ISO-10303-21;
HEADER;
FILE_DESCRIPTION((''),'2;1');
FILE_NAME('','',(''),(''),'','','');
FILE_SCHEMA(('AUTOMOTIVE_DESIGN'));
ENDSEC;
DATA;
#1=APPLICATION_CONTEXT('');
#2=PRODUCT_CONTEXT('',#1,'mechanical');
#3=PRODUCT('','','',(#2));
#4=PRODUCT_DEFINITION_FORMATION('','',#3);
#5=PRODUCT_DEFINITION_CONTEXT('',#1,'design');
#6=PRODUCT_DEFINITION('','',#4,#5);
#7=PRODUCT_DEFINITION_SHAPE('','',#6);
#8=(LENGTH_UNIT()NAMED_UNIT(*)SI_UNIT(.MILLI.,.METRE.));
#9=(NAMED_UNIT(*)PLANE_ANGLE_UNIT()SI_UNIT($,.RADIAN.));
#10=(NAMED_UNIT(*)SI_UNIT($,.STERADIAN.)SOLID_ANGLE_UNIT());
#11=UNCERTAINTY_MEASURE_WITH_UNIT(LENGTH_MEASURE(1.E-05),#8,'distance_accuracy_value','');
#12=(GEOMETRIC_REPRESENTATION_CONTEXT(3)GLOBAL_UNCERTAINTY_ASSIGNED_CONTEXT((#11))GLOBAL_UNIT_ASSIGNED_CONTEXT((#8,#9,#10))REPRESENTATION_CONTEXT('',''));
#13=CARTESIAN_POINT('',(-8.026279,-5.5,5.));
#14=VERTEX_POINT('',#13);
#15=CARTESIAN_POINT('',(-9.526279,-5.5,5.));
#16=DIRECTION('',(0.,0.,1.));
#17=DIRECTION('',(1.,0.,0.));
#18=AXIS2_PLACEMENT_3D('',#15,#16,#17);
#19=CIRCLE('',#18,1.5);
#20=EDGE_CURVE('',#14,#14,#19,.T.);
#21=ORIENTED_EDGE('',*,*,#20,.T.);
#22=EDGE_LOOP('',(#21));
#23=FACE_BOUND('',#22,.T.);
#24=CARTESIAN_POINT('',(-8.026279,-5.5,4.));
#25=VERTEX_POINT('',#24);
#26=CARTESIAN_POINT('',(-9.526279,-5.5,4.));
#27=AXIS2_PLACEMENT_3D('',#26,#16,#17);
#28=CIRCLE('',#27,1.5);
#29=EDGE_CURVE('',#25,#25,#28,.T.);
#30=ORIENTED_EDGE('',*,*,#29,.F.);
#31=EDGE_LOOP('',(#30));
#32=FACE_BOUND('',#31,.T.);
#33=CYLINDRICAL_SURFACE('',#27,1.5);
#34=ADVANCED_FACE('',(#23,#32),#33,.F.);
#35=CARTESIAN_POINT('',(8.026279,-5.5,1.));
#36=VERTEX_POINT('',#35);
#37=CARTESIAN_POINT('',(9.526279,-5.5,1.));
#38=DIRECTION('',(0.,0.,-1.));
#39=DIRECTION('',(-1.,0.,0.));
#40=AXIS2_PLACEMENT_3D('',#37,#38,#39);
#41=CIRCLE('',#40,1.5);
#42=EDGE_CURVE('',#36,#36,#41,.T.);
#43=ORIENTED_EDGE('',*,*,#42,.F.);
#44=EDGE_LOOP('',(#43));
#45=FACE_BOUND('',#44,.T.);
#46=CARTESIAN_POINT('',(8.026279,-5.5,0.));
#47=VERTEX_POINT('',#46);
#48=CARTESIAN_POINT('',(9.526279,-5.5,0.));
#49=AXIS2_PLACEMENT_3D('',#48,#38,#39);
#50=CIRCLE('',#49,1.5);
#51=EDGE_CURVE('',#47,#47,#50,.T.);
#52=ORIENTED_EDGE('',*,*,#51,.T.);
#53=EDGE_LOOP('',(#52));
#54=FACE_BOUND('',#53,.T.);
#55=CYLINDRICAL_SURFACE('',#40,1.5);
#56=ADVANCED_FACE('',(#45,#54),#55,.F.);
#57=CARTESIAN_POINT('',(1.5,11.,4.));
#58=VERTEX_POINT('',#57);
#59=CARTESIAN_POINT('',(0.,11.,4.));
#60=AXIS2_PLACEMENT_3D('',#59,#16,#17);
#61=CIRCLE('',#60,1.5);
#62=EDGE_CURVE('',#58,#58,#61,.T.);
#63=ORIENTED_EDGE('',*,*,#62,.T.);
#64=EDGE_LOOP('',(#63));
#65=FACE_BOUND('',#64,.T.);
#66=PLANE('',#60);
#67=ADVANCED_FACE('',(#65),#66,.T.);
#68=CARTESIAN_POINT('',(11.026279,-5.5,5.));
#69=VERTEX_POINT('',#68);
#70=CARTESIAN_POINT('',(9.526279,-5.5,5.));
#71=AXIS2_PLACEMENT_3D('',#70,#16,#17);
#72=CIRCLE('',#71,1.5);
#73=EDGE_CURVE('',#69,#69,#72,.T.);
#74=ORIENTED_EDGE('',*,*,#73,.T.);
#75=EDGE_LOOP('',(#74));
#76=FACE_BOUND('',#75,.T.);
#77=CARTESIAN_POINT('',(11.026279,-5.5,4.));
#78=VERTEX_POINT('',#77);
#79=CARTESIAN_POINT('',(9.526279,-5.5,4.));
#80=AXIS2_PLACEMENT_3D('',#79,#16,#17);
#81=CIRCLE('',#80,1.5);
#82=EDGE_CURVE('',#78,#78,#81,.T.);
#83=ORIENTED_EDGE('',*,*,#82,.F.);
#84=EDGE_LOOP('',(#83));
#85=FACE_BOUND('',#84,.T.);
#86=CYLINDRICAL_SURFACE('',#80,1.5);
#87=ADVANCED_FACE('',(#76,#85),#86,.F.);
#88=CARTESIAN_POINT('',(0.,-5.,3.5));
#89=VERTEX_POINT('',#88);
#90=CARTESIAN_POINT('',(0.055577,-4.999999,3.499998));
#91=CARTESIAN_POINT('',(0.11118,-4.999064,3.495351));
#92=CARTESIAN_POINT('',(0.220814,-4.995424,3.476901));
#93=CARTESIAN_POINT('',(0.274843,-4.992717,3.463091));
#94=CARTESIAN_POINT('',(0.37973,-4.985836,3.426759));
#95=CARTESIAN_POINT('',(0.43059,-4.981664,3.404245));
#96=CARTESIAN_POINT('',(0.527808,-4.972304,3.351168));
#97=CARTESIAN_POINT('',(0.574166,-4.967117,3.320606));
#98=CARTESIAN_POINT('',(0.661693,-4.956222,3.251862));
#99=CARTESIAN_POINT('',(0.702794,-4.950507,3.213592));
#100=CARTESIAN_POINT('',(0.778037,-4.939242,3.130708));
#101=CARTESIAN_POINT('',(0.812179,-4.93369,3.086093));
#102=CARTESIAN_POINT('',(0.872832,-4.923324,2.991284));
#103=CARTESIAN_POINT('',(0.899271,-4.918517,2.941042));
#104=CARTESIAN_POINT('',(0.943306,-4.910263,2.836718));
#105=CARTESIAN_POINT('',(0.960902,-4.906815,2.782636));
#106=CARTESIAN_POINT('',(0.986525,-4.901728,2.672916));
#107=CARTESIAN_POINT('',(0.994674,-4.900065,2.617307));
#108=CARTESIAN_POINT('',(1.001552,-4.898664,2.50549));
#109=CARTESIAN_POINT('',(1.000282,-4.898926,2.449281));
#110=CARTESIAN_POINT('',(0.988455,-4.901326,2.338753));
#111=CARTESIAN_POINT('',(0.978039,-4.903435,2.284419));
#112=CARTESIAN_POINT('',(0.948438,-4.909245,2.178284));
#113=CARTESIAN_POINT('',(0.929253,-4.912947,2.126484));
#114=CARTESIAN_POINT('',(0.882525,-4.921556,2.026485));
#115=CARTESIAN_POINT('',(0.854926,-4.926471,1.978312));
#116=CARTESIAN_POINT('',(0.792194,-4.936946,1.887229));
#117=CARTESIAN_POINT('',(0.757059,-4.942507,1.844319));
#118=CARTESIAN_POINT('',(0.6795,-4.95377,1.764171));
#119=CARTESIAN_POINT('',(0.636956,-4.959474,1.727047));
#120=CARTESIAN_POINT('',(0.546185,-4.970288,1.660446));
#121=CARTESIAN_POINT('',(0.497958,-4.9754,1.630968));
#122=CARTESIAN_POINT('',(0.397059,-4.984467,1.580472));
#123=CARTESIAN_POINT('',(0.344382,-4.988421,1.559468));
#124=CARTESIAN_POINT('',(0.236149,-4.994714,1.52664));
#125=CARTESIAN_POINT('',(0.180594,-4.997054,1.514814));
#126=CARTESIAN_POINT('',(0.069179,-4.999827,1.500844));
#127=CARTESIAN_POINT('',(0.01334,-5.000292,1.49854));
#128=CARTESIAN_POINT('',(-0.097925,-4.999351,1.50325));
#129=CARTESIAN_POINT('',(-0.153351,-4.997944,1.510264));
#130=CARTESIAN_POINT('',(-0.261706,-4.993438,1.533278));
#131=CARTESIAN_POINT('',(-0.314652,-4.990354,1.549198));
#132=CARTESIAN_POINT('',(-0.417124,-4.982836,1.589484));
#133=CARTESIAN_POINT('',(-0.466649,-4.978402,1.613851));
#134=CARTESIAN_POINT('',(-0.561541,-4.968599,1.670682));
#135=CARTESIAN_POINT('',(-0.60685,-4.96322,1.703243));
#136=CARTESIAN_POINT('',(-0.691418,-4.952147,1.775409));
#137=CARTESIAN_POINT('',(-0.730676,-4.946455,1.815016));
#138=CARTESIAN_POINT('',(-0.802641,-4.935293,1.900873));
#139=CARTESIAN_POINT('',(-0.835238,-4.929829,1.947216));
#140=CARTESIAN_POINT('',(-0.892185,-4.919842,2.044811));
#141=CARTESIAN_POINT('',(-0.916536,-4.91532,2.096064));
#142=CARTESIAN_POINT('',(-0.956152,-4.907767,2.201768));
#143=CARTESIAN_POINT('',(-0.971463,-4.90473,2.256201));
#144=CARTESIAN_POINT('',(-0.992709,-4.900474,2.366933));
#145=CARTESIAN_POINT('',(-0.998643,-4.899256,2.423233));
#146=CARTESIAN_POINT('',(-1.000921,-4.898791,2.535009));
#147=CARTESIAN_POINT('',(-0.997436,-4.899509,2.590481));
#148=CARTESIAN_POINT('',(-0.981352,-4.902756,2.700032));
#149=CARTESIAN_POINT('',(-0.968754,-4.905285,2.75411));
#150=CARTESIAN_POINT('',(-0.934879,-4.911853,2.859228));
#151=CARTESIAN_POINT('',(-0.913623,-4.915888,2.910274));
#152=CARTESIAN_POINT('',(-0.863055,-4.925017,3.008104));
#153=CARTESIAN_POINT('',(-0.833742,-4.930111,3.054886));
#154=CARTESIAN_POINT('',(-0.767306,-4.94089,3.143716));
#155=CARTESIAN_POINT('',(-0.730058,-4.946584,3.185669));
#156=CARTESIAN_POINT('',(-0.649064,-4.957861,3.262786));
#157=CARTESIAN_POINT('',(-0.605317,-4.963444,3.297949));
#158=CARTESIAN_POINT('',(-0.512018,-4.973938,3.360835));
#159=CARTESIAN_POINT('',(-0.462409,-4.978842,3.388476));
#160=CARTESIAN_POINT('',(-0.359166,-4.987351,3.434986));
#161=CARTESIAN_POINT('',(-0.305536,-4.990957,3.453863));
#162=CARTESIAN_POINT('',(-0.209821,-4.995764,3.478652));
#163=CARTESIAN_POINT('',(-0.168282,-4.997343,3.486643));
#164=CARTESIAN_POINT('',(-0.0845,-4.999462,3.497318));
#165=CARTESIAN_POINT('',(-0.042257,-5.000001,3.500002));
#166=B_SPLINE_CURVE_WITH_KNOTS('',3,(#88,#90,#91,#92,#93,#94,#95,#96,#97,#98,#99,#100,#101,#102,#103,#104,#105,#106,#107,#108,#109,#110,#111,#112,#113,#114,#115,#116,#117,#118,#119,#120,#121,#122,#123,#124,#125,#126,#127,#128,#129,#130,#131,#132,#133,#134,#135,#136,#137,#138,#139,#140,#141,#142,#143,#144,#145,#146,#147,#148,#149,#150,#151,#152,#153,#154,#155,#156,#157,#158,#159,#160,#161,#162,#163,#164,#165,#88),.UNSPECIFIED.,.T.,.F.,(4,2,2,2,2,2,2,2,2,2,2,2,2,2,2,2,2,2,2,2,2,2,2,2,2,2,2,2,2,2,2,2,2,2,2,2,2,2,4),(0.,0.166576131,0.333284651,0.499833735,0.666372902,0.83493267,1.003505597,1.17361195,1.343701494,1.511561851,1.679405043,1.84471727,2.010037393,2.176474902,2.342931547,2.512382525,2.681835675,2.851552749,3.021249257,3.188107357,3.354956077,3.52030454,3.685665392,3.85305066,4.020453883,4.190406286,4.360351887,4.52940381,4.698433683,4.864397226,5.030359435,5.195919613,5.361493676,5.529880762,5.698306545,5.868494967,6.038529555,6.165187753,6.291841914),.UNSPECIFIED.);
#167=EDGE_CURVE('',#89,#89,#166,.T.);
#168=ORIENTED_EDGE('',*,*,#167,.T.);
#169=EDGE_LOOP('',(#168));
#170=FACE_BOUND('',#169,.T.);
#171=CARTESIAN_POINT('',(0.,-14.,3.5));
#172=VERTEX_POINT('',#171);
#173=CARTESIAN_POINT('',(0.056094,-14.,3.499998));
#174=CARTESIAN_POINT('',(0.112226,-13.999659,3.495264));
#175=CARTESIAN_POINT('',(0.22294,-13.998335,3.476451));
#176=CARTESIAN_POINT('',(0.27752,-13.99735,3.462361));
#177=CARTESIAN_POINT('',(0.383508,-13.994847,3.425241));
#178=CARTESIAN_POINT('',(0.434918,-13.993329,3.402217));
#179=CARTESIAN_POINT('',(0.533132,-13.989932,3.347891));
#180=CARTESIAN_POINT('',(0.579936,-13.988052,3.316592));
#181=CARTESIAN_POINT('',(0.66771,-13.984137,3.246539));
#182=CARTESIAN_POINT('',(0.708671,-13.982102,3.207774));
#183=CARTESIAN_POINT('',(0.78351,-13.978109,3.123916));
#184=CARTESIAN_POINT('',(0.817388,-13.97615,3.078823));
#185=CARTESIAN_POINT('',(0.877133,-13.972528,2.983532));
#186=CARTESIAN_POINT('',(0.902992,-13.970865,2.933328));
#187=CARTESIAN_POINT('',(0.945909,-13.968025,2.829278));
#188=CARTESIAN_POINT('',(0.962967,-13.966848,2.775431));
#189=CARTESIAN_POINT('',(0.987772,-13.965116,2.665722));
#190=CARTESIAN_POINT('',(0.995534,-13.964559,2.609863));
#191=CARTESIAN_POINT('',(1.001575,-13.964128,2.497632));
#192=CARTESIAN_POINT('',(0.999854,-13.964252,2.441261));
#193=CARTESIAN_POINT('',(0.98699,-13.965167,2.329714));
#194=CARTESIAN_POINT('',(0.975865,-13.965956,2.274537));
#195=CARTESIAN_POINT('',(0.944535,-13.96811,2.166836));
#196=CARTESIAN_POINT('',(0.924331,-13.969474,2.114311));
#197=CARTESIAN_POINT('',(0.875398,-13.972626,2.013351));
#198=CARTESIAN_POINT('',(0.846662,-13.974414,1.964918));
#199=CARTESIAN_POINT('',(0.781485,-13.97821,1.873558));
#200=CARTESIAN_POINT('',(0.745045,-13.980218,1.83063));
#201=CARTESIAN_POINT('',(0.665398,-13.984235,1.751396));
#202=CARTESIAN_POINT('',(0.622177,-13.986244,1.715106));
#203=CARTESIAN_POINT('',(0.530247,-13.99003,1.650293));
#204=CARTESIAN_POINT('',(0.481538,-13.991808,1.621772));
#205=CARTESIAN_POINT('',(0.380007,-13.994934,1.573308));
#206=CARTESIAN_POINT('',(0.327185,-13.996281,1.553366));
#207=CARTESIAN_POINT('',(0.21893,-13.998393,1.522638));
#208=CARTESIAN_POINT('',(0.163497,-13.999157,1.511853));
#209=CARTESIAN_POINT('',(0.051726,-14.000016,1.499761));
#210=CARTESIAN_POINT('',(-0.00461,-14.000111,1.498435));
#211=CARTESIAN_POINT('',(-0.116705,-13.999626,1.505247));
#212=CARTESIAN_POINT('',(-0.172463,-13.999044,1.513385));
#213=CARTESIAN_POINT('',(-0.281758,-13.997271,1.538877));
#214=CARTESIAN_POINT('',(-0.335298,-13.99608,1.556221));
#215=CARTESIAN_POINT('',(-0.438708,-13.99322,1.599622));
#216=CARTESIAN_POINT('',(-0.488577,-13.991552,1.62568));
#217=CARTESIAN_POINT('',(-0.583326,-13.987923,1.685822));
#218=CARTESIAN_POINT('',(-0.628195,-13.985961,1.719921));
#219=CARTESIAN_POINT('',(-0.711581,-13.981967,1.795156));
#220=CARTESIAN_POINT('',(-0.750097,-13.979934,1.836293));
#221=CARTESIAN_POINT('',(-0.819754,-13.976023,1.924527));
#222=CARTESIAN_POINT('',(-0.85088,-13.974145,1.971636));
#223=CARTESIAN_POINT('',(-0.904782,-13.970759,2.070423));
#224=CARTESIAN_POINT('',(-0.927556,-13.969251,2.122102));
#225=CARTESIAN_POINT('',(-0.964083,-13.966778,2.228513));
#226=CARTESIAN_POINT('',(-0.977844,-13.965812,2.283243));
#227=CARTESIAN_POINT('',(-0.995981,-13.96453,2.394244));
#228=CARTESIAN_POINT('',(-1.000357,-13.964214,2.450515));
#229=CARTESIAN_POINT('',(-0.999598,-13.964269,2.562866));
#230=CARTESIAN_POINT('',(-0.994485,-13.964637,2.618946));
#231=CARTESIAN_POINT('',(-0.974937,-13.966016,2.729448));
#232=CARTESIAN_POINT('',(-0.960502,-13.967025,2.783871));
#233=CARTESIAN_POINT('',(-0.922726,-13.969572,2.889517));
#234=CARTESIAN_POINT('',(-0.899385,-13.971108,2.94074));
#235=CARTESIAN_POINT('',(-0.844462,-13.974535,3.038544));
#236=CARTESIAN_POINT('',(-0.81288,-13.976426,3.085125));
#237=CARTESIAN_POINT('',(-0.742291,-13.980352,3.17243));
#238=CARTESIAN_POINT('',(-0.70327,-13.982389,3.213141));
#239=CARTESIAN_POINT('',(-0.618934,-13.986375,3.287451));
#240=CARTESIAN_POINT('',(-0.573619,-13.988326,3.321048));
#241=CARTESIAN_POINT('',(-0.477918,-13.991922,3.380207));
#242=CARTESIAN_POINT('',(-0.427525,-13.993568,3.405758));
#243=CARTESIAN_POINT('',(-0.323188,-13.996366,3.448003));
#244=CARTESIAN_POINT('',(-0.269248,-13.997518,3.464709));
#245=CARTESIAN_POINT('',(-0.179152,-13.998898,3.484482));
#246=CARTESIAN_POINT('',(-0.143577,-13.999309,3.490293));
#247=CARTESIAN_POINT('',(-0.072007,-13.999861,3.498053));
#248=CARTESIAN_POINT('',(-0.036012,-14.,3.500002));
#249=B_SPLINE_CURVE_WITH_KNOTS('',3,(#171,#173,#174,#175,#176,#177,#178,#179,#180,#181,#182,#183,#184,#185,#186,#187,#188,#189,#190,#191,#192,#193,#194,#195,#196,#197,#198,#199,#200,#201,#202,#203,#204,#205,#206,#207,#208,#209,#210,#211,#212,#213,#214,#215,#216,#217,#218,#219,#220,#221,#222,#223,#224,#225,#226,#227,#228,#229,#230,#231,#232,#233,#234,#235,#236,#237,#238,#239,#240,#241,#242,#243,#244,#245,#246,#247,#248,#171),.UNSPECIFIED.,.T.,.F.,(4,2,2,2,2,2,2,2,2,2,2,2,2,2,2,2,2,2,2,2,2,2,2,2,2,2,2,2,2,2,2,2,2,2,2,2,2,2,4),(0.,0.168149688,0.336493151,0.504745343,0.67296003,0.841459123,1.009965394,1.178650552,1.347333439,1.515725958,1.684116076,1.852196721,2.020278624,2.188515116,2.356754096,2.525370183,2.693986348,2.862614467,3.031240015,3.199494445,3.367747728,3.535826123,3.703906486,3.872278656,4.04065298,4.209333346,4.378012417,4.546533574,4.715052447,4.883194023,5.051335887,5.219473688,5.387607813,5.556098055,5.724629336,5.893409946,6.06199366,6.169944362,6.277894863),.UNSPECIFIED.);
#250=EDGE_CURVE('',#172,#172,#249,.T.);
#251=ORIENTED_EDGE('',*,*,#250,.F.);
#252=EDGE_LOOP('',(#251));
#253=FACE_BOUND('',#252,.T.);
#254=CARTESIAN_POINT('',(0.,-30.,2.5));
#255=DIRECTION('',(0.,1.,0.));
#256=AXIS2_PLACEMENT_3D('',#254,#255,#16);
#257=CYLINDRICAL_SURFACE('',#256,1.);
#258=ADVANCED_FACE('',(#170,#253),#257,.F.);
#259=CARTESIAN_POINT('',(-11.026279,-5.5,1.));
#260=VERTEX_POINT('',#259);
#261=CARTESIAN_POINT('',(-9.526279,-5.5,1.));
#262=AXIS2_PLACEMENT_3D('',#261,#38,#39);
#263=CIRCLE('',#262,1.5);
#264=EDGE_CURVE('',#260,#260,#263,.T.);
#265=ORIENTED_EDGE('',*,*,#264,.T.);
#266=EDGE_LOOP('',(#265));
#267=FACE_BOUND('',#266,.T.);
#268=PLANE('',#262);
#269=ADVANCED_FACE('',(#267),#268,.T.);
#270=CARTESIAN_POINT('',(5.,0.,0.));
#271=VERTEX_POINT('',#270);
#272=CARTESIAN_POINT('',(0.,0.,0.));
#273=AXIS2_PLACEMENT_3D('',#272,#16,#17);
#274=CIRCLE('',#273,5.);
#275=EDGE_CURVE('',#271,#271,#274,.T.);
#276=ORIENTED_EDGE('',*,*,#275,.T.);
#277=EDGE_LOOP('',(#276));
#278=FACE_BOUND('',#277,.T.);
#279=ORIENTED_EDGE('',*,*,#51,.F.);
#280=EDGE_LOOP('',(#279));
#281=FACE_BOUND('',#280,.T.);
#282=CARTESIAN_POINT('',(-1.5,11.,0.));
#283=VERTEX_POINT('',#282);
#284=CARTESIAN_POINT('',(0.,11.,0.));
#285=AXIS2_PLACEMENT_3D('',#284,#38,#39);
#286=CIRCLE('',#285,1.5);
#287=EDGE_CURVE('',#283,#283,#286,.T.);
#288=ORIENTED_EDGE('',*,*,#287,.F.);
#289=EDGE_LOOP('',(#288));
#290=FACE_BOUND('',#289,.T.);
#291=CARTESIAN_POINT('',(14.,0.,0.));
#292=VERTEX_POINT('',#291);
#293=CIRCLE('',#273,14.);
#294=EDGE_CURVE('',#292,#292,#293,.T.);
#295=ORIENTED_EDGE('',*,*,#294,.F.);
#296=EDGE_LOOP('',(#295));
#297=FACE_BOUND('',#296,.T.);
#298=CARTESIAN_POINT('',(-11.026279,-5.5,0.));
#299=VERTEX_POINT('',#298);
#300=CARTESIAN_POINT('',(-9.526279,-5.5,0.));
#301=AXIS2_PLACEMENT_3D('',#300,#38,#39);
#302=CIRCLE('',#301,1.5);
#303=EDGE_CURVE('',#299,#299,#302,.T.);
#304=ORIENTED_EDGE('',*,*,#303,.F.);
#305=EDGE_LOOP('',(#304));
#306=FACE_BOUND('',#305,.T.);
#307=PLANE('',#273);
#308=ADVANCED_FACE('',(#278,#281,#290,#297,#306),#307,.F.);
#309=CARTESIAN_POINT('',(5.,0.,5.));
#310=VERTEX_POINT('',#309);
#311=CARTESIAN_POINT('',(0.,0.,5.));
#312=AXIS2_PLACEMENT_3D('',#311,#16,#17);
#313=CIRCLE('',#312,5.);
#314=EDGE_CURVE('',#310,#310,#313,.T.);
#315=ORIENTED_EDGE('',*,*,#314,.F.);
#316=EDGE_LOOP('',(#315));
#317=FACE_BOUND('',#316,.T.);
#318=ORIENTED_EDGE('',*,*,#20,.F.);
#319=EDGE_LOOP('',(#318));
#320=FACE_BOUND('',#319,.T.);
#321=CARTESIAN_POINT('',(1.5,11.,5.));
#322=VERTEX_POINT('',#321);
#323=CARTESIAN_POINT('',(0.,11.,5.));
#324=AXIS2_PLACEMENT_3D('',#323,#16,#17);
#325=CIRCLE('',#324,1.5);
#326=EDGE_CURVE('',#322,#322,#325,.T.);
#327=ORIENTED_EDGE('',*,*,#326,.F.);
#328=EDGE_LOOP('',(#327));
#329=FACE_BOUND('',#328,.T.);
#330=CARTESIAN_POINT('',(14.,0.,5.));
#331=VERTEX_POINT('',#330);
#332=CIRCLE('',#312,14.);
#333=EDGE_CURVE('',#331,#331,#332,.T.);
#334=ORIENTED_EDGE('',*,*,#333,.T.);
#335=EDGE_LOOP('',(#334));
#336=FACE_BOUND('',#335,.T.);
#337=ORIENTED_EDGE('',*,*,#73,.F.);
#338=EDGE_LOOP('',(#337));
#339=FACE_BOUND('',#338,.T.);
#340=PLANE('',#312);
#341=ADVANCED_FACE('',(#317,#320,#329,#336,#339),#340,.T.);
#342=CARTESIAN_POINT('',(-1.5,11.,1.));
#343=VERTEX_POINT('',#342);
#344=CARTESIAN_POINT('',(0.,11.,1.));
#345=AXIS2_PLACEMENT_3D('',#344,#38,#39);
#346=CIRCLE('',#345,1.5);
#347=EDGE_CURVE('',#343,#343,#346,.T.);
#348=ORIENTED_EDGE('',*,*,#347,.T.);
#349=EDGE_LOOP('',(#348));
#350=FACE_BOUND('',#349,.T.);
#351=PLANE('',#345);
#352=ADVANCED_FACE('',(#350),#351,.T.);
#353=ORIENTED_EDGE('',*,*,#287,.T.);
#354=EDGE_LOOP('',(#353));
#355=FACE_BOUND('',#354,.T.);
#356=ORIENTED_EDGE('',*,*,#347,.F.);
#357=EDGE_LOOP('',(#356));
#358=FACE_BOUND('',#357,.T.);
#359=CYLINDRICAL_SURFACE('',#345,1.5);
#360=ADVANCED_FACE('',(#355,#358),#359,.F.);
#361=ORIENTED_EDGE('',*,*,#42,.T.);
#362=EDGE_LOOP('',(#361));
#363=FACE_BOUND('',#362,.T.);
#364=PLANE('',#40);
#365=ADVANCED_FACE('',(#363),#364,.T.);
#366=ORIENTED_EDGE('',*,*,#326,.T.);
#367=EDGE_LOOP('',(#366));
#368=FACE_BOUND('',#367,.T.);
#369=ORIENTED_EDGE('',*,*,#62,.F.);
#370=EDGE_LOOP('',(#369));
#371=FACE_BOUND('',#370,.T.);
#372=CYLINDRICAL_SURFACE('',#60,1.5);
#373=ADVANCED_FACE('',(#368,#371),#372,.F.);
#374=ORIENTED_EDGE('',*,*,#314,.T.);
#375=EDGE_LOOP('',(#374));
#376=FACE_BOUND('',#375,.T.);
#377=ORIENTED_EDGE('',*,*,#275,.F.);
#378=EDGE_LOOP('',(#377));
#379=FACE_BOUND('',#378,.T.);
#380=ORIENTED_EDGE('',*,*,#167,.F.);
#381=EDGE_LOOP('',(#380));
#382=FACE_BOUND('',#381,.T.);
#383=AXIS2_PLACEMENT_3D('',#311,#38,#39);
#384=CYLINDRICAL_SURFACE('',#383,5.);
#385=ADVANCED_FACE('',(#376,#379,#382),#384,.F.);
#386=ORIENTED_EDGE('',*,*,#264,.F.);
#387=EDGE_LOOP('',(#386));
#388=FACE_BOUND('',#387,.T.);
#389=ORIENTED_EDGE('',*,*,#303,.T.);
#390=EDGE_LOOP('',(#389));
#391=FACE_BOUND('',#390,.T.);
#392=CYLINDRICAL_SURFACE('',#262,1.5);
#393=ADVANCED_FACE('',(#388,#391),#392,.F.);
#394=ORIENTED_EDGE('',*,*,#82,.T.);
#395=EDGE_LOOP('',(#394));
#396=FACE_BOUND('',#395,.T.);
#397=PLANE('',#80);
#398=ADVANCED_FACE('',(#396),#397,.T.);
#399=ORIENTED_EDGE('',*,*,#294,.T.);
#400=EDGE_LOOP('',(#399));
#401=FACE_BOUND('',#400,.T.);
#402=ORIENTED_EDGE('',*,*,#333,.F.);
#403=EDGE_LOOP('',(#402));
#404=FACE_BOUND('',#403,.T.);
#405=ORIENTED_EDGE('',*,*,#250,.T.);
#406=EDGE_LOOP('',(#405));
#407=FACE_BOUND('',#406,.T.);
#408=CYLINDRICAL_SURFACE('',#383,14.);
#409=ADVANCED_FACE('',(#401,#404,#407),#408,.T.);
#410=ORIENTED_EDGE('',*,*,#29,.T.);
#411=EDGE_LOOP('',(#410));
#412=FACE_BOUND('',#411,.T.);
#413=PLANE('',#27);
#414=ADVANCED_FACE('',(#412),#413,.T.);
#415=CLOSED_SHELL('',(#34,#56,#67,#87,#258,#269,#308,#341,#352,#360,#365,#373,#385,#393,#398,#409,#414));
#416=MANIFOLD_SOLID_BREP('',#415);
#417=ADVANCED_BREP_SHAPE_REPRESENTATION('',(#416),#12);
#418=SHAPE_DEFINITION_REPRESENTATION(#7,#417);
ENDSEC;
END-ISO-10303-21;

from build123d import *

# Parameters (mm, degrees)
SKETCH3_R           = 14
SKETCH3_R_2         = 5
BOSS_EXTRUDE1_DEPTH = 5
SKETCH4_R           = 1.5
CUT_EXTRUDE1_DEPTH  = 1
SKETCH5_R           = 1.5
CUT_EXTRUDE2_DEPTH  = 1
SKETCH6_R           = 1
CUT_EXTRUDE3_DEPTH  = 30


with BuildPart() as part:
    # Sketch3 → Boss-Extrude1 (new body)
    with BuildSketch(Plane.XY):
        Circle(SKETCH3_R)
        Circle(SKETCH3_R_2, mode=Mode.SUBTRACT)
    extrude(amount=BOSS_EXTRUDE1_DEPTH)

    # Sketch4 → Cut-Extrude1 (cut)
    with BuildSketch(Plane.XY.offset(5)):
        with Locations((0, 11)):
            Circle(SKETCH4_R)
        with Locations((9.526279442, -5.5)):
            Circle(SKETCH4_R)
        with Locations((-9.526279442, -5.5)):
            Circle(SKETCH4_R)
    extrude(amount=-CUT_EXTRUDE1_DEPTH, mode=Mode.SUBTRACT)

    # Sketch5 → Cut-Extrude2 (cut)
    with BuildSketch(Plane(origin=(0, 0, 0), x_dir=(-1, 0, 0), z_dir=(0, 0, -1))):
        with Locations((0, 11)):
            Circle(SKETCH5_R)
        with Locations((9.526279442, -5.5)):
            Circle(SKETCH5_R)
        with Locations((-9.526279442, -5.5)):
            Circle(SKETCH5_R)
    extrude(amount=-CUT_EXTRUDE2_DEPTH, mode=Mode.SUBTRACT)

    # Sketch6 → Cut-Extrude3 (cut)
    with BuildSketch(Plane(origin=(0, 0, 0), x_dir=(1, 0, 0), z_dir=(0, 1, 0))):
        with Locations((0, -2.5)):
            Circle(SKETCH6_R)
    extrude(amount=-CUT_EXTRUDE3_DEPTH, mode=Mode.SUBTRACT)


solid = part.part
